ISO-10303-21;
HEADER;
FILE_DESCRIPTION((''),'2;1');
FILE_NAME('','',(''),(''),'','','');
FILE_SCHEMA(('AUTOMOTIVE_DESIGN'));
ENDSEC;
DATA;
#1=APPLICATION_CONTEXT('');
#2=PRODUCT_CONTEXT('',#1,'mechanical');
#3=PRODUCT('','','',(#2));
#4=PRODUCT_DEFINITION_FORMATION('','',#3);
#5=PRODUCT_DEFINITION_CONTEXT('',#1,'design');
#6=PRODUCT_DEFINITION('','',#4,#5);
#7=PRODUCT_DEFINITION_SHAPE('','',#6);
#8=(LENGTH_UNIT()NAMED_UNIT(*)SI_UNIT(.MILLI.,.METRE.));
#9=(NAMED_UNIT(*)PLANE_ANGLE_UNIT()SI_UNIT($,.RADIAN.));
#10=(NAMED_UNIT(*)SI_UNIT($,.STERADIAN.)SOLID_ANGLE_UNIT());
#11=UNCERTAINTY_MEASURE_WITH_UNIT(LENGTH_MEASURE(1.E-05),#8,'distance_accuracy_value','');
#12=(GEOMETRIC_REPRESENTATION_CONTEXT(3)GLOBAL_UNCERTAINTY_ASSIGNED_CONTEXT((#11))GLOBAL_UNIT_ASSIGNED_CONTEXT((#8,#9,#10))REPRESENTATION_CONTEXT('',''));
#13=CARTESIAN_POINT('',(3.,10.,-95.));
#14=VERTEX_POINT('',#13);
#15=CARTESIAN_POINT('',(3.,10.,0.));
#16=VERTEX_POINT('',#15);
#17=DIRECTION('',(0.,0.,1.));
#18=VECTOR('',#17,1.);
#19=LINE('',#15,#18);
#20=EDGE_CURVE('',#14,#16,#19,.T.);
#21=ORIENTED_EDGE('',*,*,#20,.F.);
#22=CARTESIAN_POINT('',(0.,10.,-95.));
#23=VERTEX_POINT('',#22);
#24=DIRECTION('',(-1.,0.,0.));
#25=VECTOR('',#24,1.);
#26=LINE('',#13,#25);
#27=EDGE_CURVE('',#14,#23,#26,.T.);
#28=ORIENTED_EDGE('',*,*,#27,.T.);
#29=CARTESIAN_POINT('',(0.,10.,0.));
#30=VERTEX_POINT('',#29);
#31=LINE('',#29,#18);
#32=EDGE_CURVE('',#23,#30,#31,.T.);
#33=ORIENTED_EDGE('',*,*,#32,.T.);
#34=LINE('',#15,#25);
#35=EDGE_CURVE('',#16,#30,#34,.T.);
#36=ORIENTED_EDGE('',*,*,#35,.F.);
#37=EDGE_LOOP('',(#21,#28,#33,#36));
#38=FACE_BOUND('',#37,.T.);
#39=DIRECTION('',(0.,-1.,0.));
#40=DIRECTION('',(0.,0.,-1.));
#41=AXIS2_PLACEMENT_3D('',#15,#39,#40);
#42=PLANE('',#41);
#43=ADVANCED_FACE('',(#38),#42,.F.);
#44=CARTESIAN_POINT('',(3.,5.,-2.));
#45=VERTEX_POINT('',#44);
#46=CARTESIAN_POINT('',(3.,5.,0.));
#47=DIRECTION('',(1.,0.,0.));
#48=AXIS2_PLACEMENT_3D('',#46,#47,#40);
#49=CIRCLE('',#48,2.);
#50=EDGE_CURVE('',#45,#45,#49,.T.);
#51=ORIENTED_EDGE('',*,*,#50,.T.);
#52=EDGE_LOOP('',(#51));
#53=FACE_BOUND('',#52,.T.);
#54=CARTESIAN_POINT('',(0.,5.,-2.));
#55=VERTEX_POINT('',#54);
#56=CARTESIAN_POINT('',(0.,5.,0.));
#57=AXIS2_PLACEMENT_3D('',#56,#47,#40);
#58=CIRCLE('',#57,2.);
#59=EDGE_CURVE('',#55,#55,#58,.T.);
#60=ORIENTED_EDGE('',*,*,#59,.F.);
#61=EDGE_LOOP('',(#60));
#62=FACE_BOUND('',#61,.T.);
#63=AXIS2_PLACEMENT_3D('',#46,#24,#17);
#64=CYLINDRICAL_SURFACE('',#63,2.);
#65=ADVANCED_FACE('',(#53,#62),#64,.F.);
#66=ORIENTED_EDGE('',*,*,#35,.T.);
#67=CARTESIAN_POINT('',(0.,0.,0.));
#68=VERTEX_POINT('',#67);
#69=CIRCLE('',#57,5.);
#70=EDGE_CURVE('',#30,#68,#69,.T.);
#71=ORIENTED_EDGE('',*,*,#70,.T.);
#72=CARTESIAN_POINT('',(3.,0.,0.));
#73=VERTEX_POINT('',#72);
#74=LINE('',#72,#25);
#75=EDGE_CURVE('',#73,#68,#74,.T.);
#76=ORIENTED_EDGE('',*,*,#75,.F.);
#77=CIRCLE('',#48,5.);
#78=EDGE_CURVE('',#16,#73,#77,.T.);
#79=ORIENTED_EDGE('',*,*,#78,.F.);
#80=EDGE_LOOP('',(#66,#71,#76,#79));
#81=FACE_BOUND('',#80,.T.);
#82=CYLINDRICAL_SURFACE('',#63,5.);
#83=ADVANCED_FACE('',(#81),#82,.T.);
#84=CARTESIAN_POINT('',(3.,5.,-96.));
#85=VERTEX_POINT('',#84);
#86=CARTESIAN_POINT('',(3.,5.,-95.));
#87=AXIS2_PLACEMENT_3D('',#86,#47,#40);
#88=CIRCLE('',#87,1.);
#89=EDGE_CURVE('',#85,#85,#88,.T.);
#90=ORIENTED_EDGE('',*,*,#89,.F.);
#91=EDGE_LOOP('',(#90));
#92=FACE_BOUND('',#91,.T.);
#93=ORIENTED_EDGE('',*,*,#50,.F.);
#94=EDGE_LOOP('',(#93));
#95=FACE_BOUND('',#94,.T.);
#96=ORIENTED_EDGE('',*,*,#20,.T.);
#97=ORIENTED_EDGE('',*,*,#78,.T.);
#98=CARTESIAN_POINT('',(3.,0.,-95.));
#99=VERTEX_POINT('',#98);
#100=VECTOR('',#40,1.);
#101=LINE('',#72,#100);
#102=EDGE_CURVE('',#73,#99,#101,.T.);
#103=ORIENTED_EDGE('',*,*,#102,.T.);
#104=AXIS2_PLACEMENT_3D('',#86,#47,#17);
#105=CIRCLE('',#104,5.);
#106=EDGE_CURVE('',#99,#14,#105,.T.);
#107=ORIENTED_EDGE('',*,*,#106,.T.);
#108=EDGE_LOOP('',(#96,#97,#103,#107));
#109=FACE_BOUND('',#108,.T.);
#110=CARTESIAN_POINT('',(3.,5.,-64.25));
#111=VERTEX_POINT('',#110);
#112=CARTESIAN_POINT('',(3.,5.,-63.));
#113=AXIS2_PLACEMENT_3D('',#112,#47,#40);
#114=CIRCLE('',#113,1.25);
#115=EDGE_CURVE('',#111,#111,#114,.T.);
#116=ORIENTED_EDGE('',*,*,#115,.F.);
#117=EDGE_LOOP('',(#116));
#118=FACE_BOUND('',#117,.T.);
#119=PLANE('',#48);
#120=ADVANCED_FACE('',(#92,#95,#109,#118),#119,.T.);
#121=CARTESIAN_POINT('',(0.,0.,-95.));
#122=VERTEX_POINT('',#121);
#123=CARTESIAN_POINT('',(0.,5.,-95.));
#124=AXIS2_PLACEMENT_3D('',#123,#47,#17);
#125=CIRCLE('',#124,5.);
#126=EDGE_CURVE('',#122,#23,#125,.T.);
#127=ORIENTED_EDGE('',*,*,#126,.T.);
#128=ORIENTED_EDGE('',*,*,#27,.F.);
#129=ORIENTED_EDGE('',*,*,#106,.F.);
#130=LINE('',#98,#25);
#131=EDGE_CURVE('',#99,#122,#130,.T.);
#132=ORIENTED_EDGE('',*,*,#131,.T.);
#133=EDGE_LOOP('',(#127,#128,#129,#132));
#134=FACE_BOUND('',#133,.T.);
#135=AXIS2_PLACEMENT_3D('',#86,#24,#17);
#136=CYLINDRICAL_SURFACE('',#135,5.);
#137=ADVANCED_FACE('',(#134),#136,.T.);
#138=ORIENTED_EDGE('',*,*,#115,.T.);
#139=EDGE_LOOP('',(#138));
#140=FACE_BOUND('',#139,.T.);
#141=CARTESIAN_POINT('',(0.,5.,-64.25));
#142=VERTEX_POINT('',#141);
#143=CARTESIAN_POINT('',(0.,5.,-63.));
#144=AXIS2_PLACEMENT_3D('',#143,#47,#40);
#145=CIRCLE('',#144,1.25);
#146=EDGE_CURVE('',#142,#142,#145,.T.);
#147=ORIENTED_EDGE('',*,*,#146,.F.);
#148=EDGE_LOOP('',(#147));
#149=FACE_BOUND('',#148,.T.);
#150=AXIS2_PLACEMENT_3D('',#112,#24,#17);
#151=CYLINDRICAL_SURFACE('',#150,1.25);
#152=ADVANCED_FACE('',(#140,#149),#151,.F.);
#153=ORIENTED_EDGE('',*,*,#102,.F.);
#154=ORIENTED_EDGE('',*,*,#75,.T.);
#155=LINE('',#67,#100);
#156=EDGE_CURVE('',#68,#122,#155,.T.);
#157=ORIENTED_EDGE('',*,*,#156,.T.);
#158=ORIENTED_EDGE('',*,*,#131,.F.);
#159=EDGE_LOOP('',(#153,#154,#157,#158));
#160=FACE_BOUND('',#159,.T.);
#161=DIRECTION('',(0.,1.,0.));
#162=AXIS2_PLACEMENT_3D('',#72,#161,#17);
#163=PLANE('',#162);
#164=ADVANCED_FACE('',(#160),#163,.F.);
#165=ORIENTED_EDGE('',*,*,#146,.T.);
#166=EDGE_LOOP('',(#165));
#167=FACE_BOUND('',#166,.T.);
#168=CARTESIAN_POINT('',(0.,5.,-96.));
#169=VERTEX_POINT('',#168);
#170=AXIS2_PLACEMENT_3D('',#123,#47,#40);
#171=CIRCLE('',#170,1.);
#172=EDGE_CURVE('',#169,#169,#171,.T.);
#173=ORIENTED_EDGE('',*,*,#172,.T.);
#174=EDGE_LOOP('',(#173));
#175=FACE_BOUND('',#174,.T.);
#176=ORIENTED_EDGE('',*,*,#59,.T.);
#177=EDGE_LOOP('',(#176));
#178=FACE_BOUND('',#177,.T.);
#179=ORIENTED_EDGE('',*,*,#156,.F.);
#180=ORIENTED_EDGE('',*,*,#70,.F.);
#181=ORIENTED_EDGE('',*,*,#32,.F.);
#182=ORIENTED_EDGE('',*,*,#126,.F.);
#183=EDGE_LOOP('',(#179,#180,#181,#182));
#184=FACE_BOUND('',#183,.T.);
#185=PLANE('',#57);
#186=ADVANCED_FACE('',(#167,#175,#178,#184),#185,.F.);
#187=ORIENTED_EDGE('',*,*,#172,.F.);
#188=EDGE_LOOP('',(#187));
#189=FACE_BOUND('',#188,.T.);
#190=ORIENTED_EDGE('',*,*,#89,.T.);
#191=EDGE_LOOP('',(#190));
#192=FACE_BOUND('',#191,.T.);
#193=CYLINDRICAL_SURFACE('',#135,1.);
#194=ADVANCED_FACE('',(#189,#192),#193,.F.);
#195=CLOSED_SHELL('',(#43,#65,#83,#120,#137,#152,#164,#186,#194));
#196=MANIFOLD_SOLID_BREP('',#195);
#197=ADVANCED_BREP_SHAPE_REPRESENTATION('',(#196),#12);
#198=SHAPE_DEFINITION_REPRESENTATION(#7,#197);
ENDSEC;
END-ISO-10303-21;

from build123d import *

# Parameters (mm, degrees)
SKETCH1_R           = 2
SKETCH1_R_2         = 1
SKETCH1_R_3         = 1.25
BOSS_EXTRUDE1_DEPTH = 3


with BuildPart() as part:
    # Sketch1 → Boss-Extrude1 (new body)
    with BuildSketch(Plane(origin=(0, 0, 0), x_dir=(0, 0, -1), z_dir=(1, 0, 0))):
        with BuildLine():
            Line((0, 0), (95, 0))
            ThreePointArc((95, 0), (100, 5), (95, 10))
            Line((95, 10), (0, 10))
            ThreePointArc((0, 10), (-5, 5), (0, 0))
        make_face()
        with Locations((0, 5)):
            Circle(SKETCH1_R, mode=Mode.SUBTRACT)
        with Locations((95, 5)):
            Circle(SKETCH1_R_2, mode=Mode.SUBTRACT)
        with Locations((63, 5)):
            Circle(SKETCH1_R_3, mode=Mode.SUBTRACT)
    extrude(amount=BOSS_EXTRUDE1_DEPTH)


solid = part.part
